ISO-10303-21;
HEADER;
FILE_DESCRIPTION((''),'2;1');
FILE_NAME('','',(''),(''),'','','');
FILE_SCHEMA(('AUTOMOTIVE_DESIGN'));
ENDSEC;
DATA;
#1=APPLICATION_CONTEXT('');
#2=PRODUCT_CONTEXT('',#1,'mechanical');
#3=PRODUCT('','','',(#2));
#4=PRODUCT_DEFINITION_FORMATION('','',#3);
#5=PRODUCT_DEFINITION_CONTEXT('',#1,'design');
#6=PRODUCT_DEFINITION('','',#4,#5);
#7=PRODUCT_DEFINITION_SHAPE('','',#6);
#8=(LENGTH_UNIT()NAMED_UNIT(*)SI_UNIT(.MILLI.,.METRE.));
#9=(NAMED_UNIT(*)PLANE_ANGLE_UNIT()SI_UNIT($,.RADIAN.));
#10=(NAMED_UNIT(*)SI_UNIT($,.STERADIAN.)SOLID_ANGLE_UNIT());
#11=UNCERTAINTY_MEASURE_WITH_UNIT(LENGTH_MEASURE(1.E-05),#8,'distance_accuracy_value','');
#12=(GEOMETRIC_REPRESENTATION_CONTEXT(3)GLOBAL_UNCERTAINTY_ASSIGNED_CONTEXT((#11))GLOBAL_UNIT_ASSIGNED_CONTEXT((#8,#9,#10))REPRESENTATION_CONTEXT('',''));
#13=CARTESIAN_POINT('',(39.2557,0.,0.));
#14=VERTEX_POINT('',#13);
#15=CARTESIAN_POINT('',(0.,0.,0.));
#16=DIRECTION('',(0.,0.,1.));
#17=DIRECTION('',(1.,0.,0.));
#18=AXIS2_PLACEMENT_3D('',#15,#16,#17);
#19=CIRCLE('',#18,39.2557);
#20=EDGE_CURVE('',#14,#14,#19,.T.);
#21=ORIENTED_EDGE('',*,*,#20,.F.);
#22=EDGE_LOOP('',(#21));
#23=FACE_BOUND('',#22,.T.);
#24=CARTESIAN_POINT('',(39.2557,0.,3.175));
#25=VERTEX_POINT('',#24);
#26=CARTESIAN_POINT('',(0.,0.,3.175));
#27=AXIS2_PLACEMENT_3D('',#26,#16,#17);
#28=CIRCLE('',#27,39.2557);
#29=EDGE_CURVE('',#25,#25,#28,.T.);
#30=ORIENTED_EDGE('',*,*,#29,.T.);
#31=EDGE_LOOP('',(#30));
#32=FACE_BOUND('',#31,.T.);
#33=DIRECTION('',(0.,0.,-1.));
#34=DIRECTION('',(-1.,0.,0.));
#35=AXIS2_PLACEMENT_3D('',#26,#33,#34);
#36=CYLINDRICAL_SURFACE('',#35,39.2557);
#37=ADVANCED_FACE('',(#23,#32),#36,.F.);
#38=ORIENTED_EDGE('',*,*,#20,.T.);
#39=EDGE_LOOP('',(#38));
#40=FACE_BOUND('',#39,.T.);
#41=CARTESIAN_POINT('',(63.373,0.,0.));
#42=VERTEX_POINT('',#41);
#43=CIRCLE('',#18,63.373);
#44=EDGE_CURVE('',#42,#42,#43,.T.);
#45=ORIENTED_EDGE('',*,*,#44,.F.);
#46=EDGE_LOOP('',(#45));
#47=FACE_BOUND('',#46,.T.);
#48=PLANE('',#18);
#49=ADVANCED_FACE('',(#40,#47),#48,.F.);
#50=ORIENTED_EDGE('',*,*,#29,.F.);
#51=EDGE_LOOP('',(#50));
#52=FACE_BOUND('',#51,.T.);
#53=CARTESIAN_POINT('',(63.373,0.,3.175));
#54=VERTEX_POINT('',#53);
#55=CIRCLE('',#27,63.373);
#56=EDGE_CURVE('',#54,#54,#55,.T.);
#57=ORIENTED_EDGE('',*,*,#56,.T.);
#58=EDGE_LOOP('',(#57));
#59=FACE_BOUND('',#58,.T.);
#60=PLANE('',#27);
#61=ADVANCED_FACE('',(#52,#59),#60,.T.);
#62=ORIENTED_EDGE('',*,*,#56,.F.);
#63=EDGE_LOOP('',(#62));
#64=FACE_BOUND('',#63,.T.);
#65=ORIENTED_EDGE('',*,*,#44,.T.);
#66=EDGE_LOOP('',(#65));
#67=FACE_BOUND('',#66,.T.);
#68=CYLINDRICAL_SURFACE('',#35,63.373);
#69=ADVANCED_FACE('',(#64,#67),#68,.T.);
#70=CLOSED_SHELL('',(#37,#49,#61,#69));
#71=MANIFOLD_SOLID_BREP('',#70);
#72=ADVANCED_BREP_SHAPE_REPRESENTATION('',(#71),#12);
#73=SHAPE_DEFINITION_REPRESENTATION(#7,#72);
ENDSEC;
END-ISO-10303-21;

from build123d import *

# Parameters (mm, degrees)
SKETCH1_R           = 63.373
SKETCH1_R_2         = 39.2557
BOSS_EXTRUDE1_DEPTH = 3.175


with BuildPart() as part:
    # Sketch1 → Boss-Extrude1 (new body)
    with BuildSketch(Plane.XY):
        Circle(SKETCH1_R)
        Circle(SKETCH1_R_2, mode=Mode.SUBTRACT)
    extrude(amount=BOSS_EXTRUDE1_DEPTH)


solid = part.part
